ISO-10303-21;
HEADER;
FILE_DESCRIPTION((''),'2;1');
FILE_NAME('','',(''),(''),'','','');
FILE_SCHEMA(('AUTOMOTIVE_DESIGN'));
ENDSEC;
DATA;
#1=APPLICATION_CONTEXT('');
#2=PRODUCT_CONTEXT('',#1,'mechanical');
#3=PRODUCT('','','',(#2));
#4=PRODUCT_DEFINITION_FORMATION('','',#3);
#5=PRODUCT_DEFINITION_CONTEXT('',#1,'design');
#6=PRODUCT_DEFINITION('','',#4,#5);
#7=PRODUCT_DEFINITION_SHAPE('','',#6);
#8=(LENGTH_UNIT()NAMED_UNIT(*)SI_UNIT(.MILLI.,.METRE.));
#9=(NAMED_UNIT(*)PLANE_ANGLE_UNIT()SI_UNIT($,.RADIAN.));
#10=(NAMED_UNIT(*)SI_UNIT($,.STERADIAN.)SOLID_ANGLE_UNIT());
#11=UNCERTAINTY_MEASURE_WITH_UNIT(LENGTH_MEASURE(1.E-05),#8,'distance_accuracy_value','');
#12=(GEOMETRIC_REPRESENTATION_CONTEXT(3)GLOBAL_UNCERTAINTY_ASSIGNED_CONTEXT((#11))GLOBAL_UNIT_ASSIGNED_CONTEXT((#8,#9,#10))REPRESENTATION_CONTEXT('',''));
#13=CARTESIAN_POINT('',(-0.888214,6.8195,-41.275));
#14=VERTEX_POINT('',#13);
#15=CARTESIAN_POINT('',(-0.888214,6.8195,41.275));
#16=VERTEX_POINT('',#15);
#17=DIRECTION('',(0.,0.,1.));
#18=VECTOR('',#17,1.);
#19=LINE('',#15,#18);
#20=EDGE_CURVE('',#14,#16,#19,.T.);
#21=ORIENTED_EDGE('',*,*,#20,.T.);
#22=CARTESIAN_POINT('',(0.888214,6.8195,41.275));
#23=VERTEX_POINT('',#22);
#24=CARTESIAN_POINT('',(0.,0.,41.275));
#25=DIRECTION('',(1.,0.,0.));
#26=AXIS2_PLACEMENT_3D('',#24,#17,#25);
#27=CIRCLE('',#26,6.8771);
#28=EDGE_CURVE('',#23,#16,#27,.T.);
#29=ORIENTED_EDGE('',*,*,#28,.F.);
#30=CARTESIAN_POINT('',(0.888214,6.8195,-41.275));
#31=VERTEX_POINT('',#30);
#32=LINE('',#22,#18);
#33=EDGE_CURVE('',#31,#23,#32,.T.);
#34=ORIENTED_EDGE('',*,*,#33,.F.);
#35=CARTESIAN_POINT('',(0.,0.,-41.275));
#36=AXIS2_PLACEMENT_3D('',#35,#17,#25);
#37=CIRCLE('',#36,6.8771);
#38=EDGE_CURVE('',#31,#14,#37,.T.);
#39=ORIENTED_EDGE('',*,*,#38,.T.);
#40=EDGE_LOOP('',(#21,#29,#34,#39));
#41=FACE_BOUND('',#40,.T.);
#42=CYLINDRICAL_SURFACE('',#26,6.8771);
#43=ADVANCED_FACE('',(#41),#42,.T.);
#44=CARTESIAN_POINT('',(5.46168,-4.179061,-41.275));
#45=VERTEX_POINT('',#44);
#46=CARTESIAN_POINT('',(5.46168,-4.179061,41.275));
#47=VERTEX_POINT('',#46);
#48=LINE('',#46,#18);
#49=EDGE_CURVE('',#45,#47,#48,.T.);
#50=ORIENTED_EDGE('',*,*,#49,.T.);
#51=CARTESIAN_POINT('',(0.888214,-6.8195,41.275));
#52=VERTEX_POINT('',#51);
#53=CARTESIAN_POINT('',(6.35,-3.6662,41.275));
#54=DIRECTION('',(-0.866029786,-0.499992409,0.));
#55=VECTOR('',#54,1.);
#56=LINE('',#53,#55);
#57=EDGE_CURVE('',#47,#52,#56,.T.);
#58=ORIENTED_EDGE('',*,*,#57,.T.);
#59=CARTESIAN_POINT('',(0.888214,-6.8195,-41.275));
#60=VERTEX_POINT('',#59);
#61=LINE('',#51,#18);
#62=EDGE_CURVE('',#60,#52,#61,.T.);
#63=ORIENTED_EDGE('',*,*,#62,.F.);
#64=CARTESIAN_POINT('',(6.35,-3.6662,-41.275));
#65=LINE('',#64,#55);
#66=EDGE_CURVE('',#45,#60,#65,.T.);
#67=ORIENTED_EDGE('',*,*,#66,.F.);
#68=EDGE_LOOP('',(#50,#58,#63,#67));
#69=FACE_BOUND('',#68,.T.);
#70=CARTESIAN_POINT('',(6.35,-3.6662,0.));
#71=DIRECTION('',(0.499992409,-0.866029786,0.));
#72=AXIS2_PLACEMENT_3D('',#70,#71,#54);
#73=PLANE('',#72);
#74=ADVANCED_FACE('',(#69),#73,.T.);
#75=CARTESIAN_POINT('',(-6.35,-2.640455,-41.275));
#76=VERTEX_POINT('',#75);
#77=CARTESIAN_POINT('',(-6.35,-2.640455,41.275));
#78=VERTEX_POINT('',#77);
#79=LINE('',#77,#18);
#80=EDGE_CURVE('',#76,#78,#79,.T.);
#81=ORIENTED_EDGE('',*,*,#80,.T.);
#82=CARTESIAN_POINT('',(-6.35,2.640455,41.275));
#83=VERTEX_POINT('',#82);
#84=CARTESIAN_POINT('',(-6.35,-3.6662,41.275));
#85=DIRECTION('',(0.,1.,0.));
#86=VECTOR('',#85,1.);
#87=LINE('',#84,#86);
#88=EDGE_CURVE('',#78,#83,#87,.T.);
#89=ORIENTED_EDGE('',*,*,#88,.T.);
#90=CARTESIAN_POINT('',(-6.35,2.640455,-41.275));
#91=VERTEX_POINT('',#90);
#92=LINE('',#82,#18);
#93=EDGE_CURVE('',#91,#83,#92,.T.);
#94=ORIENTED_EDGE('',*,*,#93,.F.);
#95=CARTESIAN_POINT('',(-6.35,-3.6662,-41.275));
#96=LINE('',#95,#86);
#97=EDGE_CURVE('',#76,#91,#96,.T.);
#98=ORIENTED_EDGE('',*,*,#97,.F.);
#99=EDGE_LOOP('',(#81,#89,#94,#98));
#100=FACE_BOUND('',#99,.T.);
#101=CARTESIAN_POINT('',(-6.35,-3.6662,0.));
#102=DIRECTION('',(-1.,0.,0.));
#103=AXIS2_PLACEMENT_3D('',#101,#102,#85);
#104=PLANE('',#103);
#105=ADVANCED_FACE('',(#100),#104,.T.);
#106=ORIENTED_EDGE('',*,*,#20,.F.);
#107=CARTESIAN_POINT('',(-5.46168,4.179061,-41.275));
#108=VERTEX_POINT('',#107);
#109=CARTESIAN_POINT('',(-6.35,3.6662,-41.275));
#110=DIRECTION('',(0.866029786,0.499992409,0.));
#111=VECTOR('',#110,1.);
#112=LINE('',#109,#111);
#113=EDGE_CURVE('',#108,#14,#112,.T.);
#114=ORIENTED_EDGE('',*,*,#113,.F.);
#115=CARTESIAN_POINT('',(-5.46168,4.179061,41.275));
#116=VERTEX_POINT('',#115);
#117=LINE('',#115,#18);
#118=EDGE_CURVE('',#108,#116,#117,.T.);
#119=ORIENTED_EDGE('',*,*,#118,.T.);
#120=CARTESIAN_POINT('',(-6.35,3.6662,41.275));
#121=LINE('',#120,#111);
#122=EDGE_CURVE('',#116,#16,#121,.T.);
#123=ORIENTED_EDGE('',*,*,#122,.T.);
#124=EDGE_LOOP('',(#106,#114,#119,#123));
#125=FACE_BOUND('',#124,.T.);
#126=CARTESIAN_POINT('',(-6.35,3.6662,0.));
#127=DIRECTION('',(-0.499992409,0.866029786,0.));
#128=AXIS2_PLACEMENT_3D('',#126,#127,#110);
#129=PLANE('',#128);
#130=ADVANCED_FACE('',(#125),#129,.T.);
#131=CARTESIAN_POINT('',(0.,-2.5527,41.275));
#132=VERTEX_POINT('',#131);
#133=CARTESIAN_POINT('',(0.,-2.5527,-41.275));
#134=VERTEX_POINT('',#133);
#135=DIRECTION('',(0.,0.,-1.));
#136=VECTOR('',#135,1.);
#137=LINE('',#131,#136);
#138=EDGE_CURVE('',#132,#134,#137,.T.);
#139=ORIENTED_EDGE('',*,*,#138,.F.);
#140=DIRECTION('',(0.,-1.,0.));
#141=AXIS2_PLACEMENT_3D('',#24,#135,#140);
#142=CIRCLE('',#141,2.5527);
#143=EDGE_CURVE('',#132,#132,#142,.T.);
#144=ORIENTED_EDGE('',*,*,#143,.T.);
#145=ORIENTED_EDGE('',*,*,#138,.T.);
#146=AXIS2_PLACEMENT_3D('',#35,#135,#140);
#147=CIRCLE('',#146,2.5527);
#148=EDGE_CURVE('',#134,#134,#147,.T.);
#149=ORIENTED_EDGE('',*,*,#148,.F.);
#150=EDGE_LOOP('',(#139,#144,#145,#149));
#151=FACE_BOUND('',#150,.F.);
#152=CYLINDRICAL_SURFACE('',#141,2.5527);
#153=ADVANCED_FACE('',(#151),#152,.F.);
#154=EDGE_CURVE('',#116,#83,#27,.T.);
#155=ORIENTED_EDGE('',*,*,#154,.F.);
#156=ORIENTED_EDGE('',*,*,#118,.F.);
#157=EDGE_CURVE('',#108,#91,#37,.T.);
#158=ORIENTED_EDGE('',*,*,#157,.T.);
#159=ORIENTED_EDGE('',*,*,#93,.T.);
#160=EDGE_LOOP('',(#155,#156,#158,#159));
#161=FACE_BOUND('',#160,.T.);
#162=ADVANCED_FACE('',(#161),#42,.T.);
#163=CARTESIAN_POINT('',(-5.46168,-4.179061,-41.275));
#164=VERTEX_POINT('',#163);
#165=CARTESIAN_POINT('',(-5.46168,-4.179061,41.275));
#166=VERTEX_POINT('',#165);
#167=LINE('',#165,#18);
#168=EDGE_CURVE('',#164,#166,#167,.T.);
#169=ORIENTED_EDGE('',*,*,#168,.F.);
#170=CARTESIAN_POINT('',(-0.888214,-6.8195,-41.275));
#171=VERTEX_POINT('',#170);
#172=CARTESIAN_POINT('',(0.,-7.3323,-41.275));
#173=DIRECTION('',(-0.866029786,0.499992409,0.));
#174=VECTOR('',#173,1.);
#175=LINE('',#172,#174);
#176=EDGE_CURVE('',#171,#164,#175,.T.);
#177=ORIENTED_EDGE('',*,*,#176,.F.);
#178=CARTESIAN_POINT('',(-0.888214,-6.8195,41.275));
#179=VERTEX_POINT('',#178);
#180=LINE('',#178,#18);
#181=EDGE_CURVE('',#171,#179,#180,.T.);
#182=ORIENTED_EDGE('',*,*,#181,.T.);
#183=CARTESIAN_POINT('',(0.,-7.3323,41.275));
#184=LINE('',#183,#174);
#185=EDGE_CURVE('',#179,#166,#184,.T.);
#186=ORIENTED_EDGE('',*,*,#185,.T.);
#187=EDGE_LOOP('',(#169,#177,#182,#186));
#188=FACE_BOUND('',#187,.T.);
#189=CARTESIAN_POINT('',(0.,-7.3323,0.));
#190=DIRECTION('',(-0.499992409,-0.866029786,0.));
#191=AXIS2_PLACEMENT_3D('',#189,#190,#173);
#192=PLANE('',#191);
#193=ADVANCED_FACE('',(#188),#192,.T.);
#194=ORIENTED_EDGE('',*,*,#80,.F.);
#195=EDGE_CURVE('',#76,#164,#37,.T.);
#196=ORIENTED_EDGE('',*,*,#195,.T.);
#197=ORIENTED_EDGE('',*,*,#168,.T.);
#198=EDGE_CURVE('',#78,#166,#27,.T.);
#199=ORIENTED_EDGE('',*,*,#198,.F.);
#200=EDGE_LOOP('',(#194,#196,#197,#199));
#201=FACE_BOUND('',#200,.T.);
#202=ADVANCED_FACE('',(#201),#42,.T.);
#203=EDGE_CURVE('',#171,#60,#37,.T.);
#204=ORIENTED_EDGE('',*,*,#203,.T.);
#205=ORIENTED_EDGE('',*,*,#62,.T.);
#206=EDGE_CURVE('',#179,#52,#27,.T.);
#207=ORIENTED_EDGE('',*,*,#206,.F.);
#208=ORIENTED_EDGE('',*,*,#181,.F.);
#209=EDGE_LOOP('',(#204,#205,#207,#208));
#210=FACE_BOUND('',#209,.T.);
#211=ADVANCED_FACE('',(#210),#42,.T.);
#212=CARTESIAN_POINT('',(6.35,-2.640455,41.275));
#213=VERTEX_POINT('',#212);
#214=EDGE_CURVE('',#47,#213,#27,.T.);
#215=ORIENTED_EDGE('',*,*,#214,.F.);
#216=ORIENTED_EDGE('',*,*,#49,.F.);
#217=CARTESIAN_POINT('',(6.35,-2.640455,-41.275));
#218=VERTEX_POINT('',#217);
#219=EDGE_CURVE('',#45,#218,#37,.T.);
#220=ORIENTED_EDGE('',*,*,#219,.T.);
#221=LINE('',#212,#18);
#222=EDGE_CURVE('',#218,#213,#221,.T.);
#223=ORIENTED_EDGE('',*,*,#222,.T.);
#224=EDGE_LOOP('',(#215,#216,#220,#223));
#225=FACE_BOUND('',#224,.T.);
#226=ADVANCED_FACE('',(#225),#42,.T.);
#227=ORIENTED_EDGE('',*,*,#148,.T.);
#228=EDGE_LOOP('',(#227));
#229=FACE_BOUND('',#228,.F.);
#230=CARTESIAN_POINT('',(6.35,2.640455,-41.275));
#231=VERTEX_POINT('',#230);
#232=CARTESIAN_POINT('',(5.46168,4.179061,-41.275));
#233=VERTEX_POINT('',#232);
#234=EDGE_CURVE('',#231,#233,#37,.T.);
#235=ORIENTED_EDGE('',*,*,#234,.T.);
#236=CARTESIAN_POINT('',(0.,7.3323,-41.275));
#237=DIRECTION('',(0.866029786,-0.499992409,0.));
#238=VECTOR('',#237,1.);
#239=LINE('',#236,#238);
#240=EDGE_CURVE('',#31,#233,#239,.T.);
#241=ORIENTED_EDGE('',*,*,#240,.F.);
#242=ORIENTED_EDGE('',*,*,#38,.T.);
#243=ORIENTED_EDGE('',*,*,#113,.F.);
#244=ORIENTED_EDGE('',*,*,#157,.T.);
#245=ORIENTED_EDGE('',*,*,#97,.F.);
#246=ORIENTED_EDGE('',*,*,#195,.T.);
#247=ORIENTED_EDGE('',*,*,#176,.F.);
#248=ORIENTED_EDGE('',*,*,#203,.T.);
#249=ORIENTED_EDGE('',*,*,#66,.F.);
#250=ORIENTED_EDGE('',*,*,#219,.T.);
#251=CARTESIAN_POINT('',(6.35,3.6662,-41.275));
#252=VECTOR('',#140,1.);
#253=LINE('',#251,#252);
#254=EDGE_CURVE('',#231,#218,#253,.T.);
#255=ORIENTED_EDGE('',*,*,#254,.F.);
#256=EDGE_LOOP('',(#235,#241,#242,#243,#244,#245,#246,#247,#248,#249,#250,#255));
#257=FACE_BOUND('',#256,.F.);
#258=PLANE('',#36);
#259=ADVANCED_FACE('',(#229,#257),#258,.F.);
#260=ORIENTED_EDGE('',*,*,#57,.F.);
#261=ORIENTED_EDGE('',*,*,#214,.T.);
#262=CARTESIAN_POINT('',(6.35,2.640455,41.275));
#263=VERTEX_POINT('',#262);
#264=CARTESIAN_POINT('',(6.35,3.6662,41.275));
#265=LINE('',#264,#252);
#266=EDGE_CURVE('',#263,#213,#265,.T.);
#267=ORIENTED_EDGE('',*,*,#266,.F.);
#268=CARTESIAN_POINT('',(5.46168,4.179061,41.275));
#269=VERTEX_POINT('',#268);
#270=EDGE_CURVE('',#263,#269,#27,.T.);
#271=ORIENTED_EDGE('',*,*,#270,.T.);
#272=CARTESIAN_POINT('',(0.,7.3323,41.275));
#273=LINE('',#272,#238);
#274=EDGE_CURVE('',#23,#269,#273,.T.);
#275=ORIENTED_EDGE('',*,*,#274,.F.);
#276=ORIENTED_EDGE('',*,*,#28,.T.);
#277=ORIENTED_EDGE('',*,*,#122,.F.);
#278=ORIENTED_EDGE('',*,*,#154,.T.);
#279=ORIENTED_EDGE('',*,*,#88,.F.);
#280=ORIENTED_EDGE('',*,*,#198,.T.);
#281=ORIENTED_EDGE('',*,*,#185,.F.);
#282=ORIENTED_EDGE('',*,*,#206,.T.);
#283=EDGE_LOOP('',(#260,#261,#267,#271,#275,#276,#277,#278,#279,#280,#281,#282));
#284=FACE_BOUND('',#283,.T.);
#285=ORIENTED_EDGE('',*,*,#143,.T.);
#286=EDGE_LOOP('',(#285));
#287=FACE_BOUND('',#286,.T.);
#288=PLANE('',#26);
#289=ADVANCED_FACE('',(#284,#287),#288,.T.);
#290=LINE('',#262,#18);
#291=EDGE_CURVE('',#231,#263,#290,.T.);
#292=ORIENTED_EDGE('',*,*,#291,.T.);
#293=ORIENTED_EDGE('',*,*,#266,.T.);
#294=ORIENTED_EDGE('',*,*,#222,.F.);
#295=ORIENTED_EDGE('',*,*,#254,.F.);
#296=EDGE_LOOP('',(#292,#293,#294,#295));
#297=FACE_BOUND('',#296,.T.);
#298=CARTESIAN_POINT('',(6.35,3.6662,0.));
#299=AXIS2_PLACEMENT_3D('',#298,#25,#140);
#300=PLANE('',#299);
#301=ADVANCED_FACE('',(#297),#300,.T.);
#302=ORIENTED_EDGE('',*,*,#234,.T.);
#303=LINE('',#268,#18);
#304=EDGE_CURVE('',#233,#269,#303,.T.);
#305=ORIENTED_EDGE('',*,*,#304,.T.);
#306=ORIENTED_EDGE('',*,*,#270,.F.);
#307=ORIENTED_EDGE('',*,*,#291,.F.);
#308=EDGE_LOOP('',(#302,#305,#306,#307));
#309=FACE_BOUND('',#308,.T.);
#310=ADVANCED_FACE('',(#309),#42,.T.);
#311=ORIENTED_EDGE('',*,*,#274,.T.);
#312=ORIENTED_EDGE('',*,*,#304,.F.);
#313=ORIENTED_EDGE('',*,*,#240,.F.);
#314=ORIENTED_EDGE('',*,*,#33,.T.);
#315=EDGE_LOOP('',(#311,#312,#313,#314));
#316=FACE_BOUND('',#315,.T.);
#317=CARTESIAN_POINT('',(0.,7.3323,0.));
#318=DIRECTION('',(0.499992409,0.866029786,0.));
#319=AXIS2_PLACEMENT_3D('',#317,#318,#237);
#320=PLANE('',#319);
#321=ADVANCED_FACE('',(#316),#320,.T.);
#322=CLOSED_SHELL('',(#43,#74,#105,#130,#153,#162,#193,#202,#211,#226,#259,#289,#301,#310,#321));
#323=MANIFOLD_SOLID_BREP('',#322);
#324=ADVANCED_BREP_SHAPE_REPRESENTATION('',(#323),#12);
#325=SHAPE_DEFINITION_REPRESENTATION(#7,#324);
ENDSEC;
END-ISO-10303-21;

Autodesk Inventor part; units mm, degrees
ref_plane "YZ Plane" through (0, 0, 0) normal (1, 0, 0) x (0, 1, 0)
ref_plane "XZ Plane" through (0, 0, 0) normal (0, 1, 0) x (-1, 0, 0)
ref_plane "XY Plane" through (0, 0, 0) normal (0, 0, 1) x (1, 0, 0)
sketch "Sketch1" plane through (0, 0, 0) normal (0, 0, 1) x (1, 0, 0)
  line L0 (-6.35, -3.6662) -> (-6.35, 3.6662)
  line L1 (-6.35, 3.6662) -> (0, 7.3323)
  line L2 (0, 7.3323) -> (6.35, 3.6662)
  line L3 (6.35, 3.6662) -> (6.35, -3.6662)
  line L4 (6.35, -3.6662) -> (0, -7.3323)
  line L5 (0, -7.3323) -> (-6.35, -3.6662)
  point P0 (0, 0)
  point P1 (0, 0)
  dimension "Size" = 12.7
extrude "Extrusion1" add sketch "Sketch1" along normal mid plane 82.55
sketch "Sketch3" plane through (0, 0, 41.275) normal (0, 0, 1) x (1, 0, 0)
  line L0 (-6.35, 3.6662) -> (0, 7.3323) construction
  line L1 (0, 7.3323) -> (6.35, 3.6662) construction
  line L2 (6.35, 3.6662) -> (6.35, -3.6662) construction
  line L3 (6.35, -3.6662) -> (0, -7.3323) construction
  line L4 (0, -7.3323) -> (-6.35, -3.6662) construction
  line L5 (-6.35, -3.6662) -> (-6.35, 3.6662) construction
  point P0 (0, 0)
hole "Hole1" at (0, 0, 41.275) direction (0, 0, -1) diameter 5.1054 end through all
sketch "Sketch4" plane through (0, 0, 41.275) normal (0, 0, 1) x (1, 0, 0)
  circle A0 centre (0, 0) radius 2.5527 construction
  line L0 (-6.35, 3.6662) -> (0, 7.3323) construction
  line L1 (0, 7.3323) -> (6.35, 3.6662) construction
  line L2 (6.35, 3.6662) -> (6.35, -3.6662) construction
  line L3 (6.35, -3.6662) -> (0, -7.3323) construction
  line L4 (0, -7.3323) -> (-6.35, -3.6662) construction
  line L5 (-6.35, -3.6662) -> (-6.35, 3.6662) construction
  circle A1 centre (0, 0) radius 6.8771
  circle A2 centre (0, 0) radius 8.89
  dimension "thunder" = 13.7541
  dimension "d16" = 17.78
extrude "Extrusion3" cut sketch "Sketch4" against normal through all
equation "\"bearing\" = 25.4"
properties part number "GP10-006" material "Aluminum 6061"
